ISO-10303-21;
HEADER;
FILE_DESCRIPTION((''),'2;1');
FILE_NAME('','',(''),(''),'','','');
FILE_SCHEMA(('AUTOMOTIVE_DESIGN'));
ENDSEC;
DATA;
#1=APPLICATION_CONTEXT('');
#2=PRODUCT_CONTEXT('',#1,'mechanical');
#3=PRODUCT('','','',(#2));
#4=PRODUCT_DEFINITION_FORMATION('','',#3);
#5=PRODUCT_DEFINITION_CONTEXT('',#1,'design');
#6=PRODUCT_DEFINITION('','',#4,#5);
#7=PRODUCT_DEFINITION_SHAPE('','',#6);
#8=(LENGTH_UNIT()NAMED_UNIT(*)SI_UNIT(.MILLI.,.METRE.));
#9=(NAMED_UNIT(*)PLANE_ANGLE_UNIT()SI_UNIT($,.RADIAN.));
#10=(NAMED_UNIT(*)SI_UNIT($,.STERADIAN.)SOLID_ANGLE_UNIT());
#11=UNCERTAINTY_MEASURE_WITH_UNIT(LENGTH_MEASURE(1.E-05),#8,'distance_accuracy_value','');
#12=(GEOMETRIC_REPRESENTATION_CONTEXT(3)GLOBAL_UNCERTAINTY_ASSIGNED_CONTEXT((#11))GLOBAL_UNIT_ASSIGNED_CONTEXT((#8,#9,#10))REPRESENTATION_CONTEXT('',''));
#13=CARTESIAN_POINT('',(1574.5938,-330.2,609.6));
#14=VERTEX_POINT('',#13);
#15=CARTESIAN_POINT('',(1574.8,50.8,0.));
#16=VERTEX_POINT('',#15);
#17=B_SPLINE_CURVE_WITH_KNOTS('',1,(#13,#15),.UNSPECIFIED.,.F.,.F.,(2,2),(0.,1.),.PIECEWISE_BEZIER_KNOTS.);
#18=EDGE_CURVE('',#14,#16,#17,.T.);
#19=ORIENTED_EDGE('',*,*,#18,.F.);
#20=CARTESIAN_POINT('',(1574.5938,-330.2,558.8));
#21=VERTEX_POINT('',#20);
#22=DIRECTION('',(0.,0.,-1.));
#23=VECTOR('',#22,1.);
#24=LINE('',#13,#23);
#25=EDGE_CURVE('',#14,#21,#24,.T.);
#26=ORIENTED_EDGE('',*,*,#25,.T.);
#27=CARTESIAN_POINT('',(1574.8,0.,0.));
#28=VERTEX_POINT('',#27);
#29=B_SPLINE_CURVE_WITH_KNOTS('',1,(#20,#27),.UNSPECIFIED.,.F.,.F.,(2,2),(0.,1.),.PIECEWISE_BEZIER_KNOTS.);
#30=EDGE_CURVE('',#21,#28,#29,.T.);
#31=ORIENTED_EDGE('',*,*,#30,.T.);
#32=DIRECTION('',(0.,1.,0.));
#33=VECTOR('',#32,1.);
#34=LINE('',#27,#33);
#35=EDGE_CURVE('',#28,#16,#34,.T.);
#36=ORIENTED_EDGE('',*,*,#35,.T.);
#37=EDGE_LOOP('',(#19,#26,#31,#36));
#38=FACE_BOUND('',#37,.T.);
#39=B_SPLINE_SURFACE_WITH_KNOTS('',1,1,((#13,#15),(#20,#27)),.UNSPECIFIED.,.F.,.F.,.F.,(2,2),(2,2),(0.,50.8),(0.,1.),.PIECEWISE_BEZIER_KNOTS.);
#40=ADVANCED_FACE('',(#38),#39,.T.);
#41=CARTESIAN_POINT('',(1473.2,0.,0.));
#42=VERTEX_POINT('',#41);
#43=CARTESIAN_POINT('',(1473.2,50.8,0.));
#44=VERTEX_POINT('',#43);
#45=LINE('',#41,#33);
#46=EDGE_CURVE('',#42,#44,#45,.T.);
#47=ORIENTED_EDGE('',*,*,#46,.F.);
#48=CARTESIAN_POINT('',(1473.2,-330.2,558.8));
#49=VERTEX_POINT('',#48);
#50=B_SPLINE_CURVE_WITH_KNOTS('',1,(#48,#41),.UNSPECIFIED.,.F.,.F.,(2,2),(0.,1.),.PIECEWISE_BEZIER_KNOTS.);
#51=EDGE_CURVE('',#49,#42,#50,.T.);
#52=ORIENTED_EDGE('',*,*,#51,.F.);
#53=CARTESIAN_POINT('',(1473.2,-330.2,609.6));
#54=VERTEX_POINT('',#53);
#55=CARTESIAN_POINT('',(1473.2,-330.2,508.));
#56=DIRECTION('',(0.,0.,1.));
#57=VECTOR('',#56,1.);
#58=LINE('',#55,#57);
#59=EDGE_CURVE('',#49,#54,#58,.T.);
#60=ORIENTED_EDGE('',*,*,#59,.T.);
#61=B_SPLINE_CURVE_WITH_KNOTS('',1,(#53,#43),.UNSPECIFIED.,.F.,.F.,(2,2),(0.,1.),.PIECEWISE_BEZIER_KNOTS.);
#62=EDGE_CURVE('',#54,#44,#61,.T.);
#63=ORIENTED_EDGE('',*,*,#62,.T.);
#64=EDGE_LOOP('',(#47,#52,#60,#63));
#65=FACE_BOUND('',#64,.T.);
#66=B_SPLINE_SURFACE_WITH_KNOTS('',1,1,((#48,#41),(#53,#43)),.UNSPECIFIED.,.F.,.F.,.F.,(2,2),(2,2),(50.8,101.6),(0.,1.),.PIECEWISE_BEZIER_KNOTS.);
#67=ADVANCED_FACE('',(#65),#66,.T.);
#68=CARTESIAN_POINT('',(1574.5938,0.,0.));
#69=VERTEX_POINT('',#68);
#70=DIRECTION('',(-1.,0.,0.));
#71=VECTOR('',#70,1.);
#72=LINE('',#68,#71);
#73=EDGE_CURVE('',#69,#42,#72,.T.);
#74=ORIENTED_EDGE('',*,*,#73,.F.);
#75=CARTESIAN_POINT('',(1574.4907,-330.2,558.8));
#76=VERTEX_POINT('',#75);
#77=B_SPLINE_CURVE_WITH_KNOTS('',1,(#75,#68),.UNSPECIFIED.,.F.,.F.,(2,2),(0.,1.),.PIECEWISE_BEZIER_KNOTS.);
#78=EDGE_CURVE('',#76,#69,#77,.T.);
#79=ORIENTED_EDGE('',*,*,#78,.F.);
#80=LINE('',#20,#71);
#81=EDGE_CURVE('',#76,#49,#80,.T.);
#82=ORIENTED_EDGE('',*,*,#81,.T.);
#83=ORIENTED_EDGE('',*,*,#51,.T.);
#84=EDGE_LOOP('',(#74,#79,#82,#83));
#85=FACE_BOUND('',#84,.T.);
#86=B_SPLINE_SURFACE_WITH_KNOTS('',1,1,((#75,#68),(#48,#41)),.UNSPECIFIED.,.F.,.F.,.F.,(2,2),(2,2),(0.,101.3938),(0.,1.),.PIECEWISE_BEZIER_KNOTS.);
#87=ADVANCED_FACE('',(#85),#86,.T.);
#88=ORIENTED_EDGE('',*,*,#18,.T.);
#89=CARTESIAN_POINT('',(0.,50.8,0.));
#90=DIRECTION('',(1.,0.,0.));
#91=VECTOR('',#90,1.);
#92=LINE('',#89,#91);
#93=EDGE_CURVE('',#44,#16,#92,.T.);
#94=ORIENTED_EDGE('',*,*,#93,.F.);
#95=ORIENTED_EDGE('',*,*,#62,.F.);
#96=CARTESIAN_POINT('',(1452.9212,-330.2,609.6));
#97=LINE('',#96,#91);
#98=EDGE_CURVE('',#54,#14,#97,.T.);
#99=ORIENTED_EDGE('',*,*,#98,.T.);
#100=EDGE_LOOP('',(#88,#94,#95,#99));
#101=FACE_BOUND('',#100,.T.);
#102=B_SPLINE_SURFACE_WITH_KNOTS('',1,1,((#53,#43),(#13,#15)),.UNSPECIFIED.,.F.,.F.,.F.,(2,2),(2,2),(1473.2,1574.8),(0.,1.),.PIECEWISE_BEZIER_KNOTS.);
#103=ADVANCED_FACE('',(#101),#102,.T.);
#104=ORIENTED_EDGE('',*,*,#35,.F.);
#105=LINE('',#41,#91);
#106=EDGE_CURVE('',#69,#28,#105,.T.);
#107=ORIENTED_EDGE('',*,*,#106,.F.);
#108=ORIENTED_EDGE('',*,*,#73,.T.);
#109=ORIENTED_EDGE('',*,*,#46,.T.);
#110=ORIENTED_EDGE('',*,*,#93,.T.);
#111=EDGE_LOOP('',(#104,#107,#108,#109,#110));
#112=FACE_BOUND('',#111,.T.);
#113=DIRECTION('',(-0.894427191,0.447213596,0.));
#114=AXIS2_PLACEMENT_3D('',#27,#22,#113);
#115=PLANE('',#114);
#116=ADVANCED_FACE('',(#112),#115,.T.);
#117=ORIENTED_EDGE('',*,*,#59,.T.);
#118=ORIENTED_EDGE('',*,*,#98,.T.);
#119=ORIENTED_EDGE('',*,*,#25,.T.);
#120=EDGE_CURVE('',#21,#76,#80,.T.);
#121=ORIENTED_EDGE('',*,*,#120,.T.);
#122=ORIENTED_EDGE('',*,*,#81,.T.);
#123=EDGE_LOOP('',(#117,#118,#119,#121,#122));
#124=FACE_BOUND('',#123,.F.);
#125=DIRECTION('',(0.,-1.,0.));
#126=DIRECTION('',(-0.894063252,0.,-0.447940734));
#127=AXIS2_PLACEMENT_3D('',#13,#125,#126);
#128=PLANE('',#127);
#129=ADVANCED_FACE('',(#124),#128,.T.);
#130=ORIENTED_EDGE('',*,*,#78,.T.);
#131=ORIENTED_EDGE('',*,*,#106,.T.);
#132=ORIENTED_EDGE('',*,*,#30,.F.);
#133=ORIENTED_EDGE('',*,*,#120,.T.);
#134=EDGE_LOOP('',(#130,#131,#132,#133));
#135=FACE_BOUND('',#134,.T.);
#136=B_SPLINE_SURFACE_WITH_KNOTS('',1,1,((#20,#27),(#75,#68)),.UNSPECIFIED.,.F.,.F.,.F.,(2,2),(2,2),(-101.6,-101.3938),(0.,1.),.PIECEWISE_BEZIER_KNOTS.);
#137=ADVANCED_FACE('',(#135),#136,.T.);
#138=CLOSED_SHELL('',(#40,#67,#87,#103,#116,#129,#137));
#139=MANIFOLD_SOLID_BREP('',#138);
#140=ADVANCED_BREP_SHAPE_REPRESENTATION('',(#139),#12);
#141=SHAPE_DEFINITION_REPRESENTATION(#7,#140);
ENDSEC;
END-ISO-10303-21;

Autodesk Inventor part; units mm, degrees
ref_plane "YZ Plane" through (0, 0, 0) normal (1, 0, 0) x (0, 1, 0)
ref_plane "XZ Plane" through (0, 0, 0) normal (0, 1, 0) x (-1, 0, 0)
ref_plane "XY Plane" through (0, 0, 0) normal (0, 0, 1) x (1, 0, 0)
ref_plane "Work Plane1" through (0, 0, 0) normal (0, 0, 1) x (1, 0, 0)
sketch "Sketch1" plane through (0, 0, 0) normal (0, 0, 1) x (1, 0, 0)
  line L0 (1473.2, 0) -> (1473.2, 50.8) projected
  line L1 (0, 50.8) -> (2565.4, 50.8) projected
  line L2 (1574.8, 0) -> (1574.8, 50.8) projected
  line L3 (1574.5938, 0) -> (1473.2, 0) projected
  line L4 (1473.2, 0) -> (1574.8, 0)
  line L5 (1574.8, 0) -> (1574.8, 50.8)
  line L6 (1574.8, 50.8) -> (1473.2, 50.8)
  line L7 (1473.2, 50.8) -> (1473.2, 0)
  point P0 (0, 0)
ref_plane "Work Plane2" through (1524, -330.2, 304.8) normal (0, 1, 0) x (-1, 0, 0)
sketch "Sketch2" plane through (1524, -330.2, 304.8) normal (0, 1, 0) x (-1, 0, 0)
  line L0 (-50.5938, 254) -> (50.8, 254) projected
  line L1 (50.8, 203.2) -> (50.8, 304.8) projected
  line L2 (71.0788, 304.8) -> (-70.8726, 304.8)
  line L3 (-50.5938, 304.8) -> (-50.5938, 254) projected
  line L4 (50.8, 304.8) -> (-50.5938, 304.8)
  line L5 (-50.5938, 304.8) -> (-50.5938, 254)
  line L6 (-50.5938, 254) -> (50.8, 254)
  line L7 (50.8, 254) -> (50.8, 304.8)
  point P0 (1524, -304.8)
loft "Loft1" add profiles "Sketch2", "Sketch1"
properties part number "SideConnectors"
